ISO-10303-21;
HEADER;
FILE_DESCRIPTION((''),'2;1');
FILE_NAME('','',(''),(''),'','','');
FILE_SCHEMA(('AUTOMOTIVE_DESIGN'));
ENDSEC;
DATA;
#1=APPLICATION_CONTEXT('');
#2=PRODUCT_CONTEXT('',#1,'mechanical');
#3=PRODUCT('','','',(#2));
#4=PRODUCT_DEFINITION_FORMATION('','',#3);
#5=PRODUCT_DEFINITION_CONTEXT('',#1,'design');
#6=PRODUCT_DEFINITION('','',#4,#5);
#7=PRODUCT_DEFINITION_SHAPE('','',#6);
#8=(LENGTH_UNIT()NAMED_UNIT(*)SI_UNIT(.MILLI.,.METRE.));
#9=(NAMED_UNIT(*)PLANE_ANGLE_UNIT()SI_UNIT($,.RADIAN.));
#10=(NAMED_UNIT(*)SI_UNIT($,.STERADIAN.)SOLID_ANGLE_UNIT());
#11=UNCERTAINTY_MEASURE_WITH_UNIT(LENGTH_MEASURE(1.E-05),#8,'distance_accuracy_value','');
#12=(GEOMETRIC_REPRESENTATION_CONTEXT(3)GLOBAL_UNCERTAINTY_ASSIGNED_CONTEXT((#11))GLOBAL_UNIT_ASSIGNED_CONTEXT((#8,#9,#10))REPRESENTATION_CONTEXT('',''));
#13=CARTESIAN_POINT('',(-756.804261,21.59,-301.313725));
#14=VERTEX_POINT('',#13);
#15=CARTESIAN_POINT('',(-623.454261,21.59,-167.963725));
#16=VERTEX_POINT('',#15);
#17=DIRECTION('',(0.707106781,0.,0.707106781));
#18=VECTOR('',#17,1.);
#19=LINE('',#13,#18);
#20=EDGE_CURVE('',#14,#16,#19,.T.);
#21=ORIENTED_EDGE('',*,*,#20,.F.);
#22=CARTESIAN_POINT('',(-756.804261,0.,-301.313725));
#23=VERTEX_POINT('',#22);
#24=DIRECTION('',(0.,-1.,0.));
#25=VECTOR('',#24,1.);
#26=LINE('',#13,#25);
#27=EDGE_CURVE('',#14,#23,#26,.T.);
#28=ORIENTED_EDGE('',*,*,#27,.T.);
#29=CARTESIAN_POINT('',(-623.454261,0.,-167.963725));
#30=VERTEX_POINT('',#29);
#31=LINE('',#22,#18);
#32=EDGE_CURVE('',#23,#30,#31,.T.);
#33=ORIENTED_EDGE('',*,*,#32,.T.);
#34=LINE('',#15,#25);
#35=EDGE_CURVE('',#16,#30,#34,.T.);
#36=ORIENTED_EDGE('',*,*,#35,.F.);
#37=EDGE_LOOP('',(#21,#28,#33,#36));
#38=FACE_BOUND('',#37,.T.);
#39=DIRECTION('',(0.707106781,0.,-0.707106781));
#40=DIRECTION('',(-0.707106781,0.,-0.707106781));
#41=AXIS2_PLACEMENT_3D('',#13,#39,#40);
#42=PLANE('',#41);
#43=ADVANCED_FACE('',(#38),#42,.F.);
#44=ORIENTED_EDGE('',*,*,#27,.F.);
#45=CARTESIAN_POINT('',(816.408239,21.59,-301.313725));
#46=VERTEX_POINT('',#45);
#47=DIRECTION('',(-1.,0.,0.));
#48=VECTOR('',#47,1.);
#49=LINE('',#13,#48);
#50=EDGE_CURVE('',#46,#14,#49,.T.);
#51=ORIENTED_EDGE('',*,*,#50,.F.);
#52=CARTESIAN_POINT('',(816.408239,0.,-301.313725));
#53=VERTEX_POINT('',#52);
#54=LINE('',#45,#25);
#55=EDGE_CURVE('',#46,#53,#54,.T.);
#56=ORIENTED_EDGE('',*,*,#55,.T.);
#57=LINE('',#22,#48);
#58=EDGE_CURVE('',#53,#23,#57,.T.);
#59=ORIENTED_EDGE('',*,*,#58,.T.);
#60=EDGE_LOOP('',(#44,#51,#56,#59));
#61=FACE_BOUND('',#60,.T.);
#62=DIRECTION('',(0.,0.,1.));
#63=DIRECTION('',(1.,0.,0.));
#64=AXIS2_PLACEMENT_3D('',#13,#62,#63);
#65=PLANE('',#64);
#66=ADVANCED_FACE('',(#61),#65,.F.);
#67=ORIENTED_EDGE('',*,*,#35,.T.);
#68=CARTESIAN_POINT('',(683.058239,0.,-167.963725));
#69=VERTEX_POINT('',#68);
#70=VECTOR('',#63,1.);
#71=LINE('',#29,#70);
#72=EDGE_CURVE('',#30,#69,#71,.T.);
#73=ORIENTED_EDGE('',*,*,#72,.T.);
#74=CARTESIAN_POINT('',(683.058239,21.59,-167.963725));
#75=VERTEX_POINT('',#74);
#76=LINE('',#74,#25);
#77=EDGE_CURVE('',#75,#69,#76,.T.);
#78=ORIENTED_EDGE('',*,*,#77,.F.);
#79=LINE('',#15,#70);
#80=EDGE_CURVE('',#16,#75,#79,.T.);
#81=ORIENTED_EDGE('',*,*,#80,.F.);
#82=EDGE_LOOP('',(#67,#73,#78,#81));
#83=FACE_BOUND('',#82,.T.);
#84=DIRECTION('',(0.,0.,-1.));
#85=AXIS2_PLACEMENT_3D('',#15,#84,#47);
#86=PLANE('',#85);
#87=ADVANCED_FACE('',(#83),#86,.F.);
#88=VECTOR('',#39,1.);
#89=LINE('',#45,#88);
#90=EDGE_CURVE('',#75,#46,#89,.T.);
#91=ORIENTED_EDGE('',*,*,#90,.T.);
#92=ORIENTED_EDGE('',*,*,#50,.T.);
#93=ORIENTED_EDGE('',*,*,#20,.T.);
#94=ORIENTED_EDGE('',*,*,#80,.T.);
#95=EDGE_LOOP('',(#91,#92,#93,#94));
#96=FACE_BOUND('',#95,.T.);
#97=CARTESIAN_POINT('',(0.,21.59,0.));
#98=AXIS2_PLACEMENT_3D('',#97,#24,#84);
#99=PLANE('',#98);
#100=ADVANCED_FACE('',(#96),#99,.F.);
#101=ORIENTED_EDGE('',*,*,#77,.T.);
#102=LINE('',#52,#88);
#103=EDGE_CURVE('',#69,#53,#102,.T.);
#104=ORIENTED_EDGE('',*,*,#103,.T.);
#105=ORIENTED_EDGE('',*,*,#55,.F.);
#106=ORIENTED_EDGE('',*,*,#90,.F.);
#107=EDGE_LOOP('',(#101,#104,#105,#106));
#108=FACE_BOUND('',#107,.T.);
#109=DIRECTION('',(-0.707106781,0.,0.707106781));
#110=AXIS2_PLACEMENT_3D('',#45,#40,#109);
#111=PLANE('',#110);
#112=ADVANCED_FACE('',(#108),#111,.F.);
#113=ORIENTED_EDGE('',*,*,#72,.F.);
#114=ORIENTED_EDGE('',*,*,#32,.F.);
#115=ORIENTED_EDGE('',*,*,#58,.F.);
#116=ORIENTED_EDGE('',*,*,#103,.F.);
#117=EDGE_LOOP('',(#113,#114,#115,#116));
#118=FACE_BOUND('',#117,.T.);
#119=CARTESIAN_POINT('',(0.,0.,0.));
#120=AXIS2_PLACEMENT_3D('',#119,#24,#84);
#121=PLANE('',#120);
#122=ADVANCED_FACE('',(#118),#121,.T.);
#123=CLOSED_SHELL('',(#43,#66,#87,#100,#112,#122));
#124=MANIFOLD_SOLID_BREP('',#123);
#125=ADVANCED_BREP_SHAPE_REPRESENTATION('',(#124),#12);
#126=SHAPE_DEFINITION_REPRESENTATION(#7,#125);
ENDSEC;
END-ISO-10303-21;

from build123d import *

# Parameters (mm, degrees)
BOSS_EXTRUDE1_DEPTH = 21.59


with BuildPart() as part:
    # Sketch1 → Boss-Extrude1 (new body)
    with BuildSketch(Plane(origin=(0, 0, 0), x_dir=(1, 0, 0), z_dir=(0, 1, 0))):
        Polygon((-756.804260698, 301.31372549), (816.408239302, 301.31372549), (683.058239302, 167.96372549), (-623.454260698, 167.96372549), align=None)
    extrude(amount=BOSS_EXTRUDE1_DEPTH)


solid = part.part
